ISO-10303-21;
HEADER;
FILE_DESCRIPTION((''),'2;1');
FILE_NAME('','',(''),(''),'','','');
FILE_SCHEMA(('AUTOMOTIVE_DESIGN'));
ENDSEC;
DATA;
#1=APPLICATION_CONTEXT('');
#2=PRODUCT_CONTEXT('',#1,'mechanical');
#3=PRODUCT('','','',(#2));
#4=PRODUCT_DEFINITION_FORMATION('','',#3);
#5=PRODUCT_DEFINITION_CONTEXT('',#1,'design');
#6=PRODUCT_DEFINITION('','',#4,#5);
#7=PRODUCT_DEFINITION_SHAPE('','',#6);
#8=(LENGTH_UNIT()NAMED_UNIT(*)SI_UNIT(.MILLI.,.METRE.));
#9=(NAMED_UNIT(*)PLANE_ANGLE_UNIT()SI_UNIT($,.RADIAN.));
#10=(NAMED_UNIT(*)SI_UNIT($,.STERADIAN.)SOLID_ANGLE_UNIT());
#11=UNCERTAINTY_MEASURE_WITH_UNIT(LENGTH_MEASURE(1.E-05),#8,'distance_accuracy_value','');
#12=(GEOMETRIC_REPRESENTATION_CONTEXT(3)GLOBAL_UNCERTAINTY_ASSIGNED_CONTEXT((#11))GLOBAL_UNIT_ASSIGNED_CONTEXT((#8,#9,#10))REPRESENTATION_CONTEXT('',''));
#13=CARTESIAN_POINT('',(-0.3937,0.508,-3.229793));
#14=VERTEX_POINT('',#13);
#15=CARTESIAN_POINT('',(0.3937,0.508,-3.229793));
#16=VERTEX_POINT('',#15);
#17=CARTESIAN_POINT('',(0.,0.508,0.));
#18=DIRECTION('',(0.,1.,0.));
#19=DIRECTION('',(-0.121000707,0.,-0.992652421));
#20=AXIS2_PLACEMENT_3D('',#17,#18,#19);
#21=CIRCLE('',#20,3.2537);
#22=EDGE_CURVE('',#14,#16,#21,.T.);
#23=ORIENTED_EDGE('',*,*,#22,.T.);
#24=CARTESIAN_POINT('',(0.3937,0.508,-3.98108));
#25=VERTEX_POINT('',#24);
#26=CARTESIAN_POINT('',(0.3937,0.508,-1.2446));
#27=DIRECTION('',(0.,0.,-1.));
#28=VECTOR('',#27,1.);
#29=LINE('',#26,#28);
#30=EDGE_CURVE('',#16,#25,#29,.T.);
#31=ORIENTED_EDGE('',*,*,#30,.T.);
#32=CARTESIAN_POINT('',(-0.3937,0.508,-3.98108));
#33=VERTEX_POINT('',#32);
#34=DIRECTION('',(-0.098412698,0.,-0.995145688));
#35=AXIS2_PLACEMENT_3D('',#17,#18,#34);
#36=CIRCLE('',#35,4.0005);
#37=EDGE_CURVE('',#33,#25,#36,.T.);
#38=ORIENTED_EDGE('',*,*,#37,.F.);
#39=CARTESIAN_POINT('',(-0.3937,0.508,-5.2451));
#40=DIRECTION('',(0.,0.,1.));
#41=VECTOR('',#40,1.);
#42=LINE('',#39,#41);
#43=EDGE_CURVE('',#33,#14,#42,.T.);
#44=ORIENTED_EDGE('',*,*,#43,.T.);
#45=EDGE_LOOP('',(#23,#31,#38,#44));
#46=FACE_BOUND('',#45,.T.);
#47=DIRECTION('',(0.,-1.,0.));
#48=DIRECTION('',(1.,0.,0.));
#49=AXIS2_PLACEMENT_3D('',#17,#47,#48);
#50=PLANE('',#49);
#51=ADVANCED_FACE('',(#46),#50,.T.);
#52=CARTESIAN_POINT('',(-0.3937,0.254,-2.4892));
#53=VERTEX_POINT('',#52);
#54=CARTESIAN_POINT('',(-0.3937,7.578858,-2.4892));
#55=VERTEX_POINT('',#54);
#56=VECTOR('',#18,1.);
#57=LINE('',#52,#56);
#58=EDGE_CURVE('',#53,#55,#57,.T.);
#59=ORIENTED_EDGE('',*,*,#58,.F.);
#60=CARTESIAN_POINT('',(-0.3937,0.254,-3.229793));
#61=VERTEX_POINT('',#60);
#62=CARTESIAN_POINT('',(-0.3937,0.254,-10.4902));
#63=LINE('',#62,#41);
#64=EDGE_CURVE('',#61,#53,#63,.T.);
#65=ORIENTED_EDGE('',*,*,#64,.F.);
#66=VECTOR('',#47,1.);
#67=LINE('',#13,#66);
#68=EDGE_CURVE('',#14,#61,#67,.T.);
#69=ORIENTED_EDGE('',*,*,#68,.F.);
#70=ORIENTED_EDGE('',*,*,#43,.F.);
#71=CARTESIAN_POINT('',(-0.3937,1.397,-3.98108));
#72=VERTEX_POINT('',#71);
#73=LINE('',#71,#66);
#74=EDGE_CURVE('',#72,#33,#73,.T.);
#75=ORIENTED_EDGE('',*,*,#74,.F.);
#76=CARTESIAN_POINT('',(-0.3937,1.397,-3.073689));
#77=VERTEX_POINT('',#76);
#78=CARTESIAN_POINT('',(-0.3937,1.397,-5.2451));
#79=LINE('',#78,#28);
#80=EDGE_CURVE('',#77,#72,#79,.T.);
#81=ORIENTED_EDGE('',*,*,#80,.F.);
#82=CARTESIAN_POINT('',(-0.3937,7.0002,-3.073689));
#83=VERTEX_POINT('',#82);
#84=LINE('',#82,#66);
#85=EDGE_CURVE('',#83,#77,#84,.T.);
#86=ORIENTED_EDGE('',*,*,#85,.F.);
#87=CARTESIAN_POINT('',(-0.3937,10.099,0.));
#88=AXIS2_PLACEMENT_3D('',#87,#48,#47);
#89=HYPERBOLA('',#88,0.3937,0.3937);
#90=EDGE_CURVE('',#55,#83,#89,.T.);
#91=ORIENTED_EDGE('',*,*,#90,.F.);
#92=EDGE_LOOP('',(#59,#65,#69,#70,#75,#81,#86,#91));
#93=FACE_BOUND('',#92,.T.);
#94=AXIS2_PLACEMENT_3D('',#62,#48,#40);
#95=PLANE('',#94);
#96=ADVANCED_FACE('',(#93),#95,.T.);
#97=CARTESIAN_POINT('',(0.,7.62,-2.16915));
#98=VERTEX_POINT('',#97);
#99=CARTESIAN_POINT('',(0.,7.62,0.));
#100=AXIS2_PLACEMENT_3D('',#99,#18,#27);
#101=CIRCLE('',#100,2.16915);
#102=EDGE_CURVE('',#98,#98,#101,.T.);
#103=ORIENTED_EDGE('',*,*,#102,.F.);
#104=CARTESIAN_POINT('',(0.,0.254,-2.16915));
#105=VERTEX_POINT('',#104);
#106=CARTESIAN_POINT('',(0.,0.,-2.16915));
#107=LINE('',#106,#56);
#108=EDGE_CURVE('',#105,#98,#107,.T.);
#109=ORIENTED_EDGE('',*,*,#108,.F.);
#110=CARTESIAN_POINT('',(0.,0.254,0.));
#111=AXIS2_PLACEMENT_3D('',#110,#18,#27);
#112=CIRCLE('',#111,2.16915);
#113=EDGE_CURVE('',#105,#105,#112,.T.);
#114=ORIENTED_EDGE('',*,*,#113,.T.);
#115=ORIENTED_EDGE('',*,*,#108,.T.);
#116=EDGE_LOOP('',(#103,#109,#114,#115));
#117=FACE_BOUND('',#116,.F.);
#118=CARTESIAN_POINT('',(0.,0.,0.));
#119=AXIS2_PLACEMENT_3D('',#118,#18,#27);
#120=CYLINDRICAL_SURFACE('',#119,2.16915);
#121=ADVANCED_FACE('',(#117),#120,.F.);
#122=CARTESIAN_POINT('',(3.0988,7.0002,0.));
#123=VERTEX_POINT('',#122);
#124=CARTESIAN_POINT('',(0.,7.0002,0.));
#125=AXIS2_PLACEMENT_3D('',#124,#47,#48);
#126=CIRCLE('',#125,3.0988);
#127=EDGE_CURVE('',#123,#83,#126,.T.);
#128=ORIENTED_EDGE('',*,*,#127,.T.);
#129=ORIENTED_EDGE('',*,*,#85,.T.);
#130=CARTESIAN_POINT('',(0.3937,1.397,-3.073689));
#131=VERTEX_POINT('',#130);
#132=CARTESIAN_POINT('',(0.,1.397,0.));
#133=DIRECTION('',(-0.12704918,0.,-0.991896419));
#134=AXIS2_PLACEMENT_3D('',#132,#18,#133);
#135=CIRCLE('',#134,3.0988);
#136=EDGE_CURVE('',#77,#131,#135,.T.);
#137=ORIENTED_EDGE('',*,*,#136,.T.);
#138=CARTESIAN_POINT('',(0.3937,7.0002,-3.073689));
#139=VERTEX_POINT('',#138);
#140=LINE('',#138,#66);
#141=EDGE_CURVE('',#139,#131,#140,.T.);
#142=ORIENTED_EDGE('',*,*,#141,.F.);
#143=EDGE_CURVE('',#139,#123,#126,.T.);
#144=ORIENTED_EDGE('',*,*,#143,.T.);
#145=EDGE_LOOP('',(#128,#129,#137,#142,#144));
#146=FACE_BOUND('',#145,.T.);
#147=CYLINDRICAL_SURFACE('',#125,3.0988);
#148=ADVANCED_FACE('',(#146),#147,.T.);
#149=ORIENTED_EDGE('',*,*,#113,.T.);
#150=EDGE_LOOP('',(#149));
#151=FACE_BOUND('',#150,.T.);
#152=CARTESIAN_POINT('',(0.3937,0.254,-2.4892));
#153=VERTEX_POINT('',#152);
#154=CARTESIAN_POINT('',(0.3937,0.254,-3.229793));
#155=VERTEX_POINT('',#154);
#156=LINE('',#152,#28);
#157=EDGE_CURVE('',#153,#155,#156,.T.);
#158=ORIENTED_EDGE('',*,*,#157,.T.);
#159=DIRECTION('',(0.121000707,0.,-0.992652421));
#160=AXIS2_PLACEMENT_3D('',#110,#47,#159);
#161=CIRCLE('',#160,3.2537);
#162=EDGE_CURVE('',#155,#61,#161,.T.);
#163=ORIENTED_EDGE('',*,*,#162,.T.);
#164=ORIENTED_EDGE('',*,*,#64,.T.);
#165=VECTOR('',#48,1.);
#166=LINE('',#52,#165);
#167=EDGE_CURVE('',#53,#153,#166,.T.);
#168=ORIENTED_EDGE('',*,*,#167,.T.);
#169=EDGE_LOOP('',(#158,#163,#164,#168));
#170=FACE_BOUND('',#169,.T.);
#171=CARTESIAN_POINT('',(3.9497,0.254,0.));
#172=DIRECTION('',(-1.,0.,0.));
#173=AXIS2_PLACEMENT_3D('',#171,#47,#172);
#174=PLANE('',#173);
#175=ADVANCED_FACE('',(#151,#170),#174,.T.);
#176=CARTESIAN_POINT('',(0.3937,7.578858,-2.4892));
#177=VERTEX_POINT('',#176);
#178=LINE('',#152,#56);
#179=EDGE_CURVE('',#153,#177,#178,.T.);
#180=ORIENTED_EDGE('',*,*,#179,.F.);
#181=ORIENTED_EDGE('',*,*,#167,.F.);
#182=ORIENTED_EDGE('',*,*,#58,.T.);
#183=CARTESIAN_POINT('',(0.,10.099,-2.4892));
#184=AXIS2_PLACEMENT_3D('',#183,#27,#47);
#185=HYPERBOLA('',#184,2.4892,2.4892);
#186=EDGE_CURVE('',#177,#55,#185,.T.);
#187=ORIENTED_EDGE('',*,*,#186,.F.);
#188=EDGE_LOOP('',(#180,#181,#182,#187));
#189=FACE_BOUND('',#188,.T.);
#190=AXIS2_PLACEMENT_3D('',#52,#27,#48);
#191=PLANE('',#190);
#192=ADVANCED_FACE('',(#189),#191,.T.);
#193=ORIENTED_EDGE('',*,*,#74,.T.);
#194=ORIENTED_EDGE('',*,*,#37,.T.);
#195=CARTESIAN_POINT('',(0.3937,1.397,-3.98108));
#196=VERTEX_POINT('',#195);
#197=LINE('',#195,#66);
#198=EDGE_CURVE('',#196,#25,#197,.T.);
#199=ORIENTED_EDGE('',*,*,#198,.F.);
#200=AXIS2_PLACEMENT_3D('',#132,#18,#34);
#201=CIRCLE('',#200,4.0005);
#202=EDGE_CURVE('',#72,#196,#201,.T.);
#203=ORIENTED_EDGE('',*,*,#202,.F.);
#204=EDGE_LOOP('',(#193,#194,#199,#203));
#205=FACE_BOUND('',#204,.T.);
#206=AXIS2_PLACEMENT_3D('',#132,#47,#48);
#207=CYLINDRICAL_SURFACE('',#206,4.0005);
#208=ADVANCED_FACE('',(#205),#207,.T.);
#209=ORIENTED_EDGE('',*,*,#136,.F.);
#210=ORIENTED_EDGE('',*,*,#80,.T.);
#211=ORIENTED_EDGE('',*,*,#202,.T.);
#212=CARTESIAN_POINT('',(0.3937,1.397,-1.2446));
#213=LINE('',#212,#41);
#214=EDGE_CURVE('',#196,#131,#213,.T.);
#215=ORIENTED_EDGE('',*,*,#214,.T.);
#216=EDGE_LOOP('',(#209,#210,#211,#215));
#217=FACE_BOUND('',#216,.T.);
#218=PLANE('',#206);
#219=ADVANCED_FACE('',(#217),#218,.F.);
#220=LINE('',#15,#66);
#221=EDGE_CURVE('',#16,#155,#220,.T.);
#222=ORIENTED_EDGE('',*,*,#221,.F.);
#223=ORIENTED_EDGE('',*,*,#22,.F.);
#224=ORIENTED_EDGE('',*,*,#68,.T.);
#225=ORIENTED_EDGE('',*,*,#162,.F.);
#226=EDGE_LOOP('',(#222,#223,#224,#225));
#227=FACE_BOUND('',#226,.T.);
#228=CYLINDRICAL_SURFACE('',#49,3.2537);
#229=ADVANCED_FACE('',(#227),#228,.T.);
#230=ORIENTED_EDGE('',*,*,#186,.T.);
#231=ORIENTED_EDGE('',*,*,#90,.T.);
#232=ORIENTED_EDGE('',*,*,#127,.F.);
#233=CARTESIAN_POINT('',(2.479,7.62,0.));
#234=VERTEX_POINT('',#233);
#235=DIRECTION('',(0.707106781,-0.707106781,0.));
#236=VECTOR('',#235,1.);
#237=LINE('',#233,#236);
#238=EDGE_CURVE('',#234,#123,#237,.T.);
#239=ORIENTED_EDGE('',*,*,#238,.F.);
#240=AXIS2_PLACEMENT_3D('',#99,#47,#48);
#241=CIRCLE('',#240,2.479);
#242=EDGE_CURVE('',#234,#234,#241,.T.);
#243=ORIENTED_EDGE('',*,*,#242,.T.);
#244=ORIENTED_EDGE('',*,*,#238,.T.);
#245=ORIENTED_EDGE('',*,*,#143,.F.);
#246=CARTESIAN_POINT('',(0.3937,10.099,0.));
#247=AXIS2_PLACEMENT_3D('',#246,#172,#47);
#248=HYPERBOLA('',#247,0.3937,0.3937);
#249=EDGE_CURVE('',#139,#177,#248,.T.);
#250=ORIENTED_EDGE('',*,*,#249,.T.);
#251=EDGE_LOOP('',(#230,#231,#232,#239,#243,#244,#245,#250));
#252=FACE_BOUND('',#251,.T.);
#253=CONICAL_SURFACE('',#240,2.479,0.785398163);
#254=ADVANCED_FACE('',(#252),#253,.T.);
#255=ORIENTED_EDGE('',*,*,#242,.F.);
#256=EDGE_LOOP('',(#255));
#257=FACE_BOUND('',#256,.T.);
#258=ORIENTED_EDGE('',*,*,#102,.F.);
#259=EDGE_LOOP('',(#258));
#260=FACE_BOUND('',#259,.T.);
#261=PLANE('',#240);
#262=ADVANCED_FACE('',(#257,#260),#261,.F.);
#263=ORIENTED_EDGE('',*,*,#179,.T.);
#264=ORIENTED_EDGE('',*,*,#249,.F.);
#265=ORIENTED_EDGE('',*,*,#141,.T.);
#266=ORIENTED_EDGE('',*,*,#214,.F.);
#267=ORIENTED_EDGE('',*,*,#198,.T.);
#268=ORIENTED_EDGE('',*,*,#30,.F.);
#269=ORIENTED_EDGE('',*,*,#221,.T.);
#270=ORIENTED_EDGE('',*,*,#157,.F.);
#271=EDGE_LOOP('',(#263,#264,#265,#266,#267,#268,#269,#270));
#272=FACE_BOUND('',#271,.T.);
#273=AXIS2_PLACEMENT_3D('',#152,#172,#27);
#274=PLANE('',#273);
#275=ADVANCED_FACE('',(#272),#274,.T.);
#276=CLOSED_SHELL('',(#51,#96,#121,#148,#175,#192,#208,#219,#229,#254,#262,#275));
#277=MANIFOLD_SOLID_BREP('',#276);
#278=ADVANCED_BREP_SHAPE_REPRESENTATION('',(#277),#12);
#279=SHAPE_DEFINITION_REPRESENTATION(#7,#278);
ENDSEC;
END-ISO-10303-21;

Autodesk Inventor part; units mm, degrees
sketch "Sketch_1" plane through (0, 0, 0) normal (0, 0, 1) x (1, 0, 0)
  line L0 (-3.9497, 0) -> (3.9497, 0)
  arc A0 (3.9497, 0) -> (3.6957, 0.254) centre (3.6957, 0) ccw
  line L1 (3.6957, 0.254) -> (-3.6957, 0.254)
  arc A1 (-3.6957, 0.254) -> (-3.9497, 0) centre (-3.6957, 0) ccw
extrude "Extrusion1" add sketch "Sketch_1" along normal mid plane 13.0048
sketch "Sketch_7" plane through (0, 0, 0) normal (0, 0, 1) x (1, 0, 0)
  line L0 (0, 0.127) -> (0, 7.62)
  line L1 (0, 7.62) -> (2.479, 7.62)
  line L2 (2.479, 7.62) -> (3.0988, 7.0002)
  line L3 (3.0988, 7.0002) -> (3.0988, 1.397)
  line L4 (3.0988, 1.397) -> (4.0005, 1.397)
  line L5 (4.0005, 1.397) -> (4.0005, 0.508)
  line L6 (4.0005, 0.508) -> (3.2537, 0.508)
  line L7 (3.2537, 0.508) -> (3.2537, 0.127)
  line L8 (3.2537, 0.127) -> (0, 0.127)
  line L9 (0, 0.127) -> (0, 7.62)
revolve "Revolution1" add sketch "Sketch_7" angle 360 about axis through (0, 0.127, 0) along (0, -1, 0)
sketch "Sketch_8" plane through (0, 0.254, 0) normal (0, 1, 0) x (1, 0, 0)
  line L0 (-0.3937, 2.4892) -> (0.3937, 2.4892)
  line L1 (0.3937, 2.4892) -> (0.3937, 10.4902)
  line L2 (0.3937, 10.4902) -> (-0.3937, 10.4902)
  line L3 (-0.3937, 10.4902) -> (-0.3937, 2.4892)
extrude "Extrusion2" cut sketch "Sketch_8" along normal blind 7.9629
sketch "Sketch4" plane through (-3.9497, 0, 6.5024) normal (0, -1, 0) x (1, 0, 0)
  point P0 (3.9497, -6.5024)
hole "Drilling 1" at (0, 0, 0) direction (0, 1, 0) diameter 4.3383 depth 7.874
sketch "Sketch_2" plane through (0, 0, 0) normal (0, 0, 1) x (1, 0, 0)
  line L0 (-3.9497, 0.254) -> (-3.9497, 0)
  line L1 (-3.9497, 0) -> (3.9497, 0)
  line L2 (3.9497, 0) -> (3.9497, 0.254)
  line L3 (3.9497, 0.254) -> (-3.9497, 0.254)
extrude "Extrusion3" cut sketch "Sketch_2" along normal mid plane 13.0048
ref_plane "1_XY" through (0, 5.7912, 0) normal (0, 1, 0) x (1, 0, 0)
ref_plane "1_YZ" through (0, 5.7912, 0) normal (1, 0, 0) x (0, 0, -1)
ref_plane "1_ZX" through (0, 5.7912, 0) normal (0, 0, -1) x (0, 1, 0)
ref_plane "2_XY" through (0, 4.3434, 0) normal (0, 1, 0) x (1, 0, 0)
ref_plane "2_YZ" through (0, 4.3434, 0) normal (1, 0, 0) x (0, 0, -1)
ref_plane "2_ZX" through (0, 4.3434, 0) normal (0, 0, -1) x (0, 1, 0)
ref_plane "3_XY" through (0, 2.8956, 0) normal (0, 1, 0) x (1, 0, 0)
ref_plane "3_YZ" through (0, 2.8956, 0) normal (1, 0, 0) x (0, 0, -1)
ref_plane "3_ZX" through (0, 2.8956, 0) normal (0, 0, -1) x (0, 1, 0)
ref_plane "4_XY" through (0, 1.8097, 0) normal (0, 1, 0) x (1, 0, 0)
ref_plane "4_YZ" through (0, 1.8097, 0) normal (1, 0, 0) x (0, 0, -1)
ref_plane "4_ZX" through (0, 1.8097, 0) normal (0, 0, -1) x (0, 1, 0)
ref_plane "to_base_XY" through (0, 0, 0) normal (0, 1, 0) x (1, 0, 0)
ref_plane "to_base_YZ" through (0, 0, 0) normal (1, 0, 0) x (0, 0, -1)
ref_plane "to_base_ZX" through (0, 0, 0) normal (0, 0, -1) x (0, 1, 0)
properties part number "M20ANG1A2M201BR-bushing"
